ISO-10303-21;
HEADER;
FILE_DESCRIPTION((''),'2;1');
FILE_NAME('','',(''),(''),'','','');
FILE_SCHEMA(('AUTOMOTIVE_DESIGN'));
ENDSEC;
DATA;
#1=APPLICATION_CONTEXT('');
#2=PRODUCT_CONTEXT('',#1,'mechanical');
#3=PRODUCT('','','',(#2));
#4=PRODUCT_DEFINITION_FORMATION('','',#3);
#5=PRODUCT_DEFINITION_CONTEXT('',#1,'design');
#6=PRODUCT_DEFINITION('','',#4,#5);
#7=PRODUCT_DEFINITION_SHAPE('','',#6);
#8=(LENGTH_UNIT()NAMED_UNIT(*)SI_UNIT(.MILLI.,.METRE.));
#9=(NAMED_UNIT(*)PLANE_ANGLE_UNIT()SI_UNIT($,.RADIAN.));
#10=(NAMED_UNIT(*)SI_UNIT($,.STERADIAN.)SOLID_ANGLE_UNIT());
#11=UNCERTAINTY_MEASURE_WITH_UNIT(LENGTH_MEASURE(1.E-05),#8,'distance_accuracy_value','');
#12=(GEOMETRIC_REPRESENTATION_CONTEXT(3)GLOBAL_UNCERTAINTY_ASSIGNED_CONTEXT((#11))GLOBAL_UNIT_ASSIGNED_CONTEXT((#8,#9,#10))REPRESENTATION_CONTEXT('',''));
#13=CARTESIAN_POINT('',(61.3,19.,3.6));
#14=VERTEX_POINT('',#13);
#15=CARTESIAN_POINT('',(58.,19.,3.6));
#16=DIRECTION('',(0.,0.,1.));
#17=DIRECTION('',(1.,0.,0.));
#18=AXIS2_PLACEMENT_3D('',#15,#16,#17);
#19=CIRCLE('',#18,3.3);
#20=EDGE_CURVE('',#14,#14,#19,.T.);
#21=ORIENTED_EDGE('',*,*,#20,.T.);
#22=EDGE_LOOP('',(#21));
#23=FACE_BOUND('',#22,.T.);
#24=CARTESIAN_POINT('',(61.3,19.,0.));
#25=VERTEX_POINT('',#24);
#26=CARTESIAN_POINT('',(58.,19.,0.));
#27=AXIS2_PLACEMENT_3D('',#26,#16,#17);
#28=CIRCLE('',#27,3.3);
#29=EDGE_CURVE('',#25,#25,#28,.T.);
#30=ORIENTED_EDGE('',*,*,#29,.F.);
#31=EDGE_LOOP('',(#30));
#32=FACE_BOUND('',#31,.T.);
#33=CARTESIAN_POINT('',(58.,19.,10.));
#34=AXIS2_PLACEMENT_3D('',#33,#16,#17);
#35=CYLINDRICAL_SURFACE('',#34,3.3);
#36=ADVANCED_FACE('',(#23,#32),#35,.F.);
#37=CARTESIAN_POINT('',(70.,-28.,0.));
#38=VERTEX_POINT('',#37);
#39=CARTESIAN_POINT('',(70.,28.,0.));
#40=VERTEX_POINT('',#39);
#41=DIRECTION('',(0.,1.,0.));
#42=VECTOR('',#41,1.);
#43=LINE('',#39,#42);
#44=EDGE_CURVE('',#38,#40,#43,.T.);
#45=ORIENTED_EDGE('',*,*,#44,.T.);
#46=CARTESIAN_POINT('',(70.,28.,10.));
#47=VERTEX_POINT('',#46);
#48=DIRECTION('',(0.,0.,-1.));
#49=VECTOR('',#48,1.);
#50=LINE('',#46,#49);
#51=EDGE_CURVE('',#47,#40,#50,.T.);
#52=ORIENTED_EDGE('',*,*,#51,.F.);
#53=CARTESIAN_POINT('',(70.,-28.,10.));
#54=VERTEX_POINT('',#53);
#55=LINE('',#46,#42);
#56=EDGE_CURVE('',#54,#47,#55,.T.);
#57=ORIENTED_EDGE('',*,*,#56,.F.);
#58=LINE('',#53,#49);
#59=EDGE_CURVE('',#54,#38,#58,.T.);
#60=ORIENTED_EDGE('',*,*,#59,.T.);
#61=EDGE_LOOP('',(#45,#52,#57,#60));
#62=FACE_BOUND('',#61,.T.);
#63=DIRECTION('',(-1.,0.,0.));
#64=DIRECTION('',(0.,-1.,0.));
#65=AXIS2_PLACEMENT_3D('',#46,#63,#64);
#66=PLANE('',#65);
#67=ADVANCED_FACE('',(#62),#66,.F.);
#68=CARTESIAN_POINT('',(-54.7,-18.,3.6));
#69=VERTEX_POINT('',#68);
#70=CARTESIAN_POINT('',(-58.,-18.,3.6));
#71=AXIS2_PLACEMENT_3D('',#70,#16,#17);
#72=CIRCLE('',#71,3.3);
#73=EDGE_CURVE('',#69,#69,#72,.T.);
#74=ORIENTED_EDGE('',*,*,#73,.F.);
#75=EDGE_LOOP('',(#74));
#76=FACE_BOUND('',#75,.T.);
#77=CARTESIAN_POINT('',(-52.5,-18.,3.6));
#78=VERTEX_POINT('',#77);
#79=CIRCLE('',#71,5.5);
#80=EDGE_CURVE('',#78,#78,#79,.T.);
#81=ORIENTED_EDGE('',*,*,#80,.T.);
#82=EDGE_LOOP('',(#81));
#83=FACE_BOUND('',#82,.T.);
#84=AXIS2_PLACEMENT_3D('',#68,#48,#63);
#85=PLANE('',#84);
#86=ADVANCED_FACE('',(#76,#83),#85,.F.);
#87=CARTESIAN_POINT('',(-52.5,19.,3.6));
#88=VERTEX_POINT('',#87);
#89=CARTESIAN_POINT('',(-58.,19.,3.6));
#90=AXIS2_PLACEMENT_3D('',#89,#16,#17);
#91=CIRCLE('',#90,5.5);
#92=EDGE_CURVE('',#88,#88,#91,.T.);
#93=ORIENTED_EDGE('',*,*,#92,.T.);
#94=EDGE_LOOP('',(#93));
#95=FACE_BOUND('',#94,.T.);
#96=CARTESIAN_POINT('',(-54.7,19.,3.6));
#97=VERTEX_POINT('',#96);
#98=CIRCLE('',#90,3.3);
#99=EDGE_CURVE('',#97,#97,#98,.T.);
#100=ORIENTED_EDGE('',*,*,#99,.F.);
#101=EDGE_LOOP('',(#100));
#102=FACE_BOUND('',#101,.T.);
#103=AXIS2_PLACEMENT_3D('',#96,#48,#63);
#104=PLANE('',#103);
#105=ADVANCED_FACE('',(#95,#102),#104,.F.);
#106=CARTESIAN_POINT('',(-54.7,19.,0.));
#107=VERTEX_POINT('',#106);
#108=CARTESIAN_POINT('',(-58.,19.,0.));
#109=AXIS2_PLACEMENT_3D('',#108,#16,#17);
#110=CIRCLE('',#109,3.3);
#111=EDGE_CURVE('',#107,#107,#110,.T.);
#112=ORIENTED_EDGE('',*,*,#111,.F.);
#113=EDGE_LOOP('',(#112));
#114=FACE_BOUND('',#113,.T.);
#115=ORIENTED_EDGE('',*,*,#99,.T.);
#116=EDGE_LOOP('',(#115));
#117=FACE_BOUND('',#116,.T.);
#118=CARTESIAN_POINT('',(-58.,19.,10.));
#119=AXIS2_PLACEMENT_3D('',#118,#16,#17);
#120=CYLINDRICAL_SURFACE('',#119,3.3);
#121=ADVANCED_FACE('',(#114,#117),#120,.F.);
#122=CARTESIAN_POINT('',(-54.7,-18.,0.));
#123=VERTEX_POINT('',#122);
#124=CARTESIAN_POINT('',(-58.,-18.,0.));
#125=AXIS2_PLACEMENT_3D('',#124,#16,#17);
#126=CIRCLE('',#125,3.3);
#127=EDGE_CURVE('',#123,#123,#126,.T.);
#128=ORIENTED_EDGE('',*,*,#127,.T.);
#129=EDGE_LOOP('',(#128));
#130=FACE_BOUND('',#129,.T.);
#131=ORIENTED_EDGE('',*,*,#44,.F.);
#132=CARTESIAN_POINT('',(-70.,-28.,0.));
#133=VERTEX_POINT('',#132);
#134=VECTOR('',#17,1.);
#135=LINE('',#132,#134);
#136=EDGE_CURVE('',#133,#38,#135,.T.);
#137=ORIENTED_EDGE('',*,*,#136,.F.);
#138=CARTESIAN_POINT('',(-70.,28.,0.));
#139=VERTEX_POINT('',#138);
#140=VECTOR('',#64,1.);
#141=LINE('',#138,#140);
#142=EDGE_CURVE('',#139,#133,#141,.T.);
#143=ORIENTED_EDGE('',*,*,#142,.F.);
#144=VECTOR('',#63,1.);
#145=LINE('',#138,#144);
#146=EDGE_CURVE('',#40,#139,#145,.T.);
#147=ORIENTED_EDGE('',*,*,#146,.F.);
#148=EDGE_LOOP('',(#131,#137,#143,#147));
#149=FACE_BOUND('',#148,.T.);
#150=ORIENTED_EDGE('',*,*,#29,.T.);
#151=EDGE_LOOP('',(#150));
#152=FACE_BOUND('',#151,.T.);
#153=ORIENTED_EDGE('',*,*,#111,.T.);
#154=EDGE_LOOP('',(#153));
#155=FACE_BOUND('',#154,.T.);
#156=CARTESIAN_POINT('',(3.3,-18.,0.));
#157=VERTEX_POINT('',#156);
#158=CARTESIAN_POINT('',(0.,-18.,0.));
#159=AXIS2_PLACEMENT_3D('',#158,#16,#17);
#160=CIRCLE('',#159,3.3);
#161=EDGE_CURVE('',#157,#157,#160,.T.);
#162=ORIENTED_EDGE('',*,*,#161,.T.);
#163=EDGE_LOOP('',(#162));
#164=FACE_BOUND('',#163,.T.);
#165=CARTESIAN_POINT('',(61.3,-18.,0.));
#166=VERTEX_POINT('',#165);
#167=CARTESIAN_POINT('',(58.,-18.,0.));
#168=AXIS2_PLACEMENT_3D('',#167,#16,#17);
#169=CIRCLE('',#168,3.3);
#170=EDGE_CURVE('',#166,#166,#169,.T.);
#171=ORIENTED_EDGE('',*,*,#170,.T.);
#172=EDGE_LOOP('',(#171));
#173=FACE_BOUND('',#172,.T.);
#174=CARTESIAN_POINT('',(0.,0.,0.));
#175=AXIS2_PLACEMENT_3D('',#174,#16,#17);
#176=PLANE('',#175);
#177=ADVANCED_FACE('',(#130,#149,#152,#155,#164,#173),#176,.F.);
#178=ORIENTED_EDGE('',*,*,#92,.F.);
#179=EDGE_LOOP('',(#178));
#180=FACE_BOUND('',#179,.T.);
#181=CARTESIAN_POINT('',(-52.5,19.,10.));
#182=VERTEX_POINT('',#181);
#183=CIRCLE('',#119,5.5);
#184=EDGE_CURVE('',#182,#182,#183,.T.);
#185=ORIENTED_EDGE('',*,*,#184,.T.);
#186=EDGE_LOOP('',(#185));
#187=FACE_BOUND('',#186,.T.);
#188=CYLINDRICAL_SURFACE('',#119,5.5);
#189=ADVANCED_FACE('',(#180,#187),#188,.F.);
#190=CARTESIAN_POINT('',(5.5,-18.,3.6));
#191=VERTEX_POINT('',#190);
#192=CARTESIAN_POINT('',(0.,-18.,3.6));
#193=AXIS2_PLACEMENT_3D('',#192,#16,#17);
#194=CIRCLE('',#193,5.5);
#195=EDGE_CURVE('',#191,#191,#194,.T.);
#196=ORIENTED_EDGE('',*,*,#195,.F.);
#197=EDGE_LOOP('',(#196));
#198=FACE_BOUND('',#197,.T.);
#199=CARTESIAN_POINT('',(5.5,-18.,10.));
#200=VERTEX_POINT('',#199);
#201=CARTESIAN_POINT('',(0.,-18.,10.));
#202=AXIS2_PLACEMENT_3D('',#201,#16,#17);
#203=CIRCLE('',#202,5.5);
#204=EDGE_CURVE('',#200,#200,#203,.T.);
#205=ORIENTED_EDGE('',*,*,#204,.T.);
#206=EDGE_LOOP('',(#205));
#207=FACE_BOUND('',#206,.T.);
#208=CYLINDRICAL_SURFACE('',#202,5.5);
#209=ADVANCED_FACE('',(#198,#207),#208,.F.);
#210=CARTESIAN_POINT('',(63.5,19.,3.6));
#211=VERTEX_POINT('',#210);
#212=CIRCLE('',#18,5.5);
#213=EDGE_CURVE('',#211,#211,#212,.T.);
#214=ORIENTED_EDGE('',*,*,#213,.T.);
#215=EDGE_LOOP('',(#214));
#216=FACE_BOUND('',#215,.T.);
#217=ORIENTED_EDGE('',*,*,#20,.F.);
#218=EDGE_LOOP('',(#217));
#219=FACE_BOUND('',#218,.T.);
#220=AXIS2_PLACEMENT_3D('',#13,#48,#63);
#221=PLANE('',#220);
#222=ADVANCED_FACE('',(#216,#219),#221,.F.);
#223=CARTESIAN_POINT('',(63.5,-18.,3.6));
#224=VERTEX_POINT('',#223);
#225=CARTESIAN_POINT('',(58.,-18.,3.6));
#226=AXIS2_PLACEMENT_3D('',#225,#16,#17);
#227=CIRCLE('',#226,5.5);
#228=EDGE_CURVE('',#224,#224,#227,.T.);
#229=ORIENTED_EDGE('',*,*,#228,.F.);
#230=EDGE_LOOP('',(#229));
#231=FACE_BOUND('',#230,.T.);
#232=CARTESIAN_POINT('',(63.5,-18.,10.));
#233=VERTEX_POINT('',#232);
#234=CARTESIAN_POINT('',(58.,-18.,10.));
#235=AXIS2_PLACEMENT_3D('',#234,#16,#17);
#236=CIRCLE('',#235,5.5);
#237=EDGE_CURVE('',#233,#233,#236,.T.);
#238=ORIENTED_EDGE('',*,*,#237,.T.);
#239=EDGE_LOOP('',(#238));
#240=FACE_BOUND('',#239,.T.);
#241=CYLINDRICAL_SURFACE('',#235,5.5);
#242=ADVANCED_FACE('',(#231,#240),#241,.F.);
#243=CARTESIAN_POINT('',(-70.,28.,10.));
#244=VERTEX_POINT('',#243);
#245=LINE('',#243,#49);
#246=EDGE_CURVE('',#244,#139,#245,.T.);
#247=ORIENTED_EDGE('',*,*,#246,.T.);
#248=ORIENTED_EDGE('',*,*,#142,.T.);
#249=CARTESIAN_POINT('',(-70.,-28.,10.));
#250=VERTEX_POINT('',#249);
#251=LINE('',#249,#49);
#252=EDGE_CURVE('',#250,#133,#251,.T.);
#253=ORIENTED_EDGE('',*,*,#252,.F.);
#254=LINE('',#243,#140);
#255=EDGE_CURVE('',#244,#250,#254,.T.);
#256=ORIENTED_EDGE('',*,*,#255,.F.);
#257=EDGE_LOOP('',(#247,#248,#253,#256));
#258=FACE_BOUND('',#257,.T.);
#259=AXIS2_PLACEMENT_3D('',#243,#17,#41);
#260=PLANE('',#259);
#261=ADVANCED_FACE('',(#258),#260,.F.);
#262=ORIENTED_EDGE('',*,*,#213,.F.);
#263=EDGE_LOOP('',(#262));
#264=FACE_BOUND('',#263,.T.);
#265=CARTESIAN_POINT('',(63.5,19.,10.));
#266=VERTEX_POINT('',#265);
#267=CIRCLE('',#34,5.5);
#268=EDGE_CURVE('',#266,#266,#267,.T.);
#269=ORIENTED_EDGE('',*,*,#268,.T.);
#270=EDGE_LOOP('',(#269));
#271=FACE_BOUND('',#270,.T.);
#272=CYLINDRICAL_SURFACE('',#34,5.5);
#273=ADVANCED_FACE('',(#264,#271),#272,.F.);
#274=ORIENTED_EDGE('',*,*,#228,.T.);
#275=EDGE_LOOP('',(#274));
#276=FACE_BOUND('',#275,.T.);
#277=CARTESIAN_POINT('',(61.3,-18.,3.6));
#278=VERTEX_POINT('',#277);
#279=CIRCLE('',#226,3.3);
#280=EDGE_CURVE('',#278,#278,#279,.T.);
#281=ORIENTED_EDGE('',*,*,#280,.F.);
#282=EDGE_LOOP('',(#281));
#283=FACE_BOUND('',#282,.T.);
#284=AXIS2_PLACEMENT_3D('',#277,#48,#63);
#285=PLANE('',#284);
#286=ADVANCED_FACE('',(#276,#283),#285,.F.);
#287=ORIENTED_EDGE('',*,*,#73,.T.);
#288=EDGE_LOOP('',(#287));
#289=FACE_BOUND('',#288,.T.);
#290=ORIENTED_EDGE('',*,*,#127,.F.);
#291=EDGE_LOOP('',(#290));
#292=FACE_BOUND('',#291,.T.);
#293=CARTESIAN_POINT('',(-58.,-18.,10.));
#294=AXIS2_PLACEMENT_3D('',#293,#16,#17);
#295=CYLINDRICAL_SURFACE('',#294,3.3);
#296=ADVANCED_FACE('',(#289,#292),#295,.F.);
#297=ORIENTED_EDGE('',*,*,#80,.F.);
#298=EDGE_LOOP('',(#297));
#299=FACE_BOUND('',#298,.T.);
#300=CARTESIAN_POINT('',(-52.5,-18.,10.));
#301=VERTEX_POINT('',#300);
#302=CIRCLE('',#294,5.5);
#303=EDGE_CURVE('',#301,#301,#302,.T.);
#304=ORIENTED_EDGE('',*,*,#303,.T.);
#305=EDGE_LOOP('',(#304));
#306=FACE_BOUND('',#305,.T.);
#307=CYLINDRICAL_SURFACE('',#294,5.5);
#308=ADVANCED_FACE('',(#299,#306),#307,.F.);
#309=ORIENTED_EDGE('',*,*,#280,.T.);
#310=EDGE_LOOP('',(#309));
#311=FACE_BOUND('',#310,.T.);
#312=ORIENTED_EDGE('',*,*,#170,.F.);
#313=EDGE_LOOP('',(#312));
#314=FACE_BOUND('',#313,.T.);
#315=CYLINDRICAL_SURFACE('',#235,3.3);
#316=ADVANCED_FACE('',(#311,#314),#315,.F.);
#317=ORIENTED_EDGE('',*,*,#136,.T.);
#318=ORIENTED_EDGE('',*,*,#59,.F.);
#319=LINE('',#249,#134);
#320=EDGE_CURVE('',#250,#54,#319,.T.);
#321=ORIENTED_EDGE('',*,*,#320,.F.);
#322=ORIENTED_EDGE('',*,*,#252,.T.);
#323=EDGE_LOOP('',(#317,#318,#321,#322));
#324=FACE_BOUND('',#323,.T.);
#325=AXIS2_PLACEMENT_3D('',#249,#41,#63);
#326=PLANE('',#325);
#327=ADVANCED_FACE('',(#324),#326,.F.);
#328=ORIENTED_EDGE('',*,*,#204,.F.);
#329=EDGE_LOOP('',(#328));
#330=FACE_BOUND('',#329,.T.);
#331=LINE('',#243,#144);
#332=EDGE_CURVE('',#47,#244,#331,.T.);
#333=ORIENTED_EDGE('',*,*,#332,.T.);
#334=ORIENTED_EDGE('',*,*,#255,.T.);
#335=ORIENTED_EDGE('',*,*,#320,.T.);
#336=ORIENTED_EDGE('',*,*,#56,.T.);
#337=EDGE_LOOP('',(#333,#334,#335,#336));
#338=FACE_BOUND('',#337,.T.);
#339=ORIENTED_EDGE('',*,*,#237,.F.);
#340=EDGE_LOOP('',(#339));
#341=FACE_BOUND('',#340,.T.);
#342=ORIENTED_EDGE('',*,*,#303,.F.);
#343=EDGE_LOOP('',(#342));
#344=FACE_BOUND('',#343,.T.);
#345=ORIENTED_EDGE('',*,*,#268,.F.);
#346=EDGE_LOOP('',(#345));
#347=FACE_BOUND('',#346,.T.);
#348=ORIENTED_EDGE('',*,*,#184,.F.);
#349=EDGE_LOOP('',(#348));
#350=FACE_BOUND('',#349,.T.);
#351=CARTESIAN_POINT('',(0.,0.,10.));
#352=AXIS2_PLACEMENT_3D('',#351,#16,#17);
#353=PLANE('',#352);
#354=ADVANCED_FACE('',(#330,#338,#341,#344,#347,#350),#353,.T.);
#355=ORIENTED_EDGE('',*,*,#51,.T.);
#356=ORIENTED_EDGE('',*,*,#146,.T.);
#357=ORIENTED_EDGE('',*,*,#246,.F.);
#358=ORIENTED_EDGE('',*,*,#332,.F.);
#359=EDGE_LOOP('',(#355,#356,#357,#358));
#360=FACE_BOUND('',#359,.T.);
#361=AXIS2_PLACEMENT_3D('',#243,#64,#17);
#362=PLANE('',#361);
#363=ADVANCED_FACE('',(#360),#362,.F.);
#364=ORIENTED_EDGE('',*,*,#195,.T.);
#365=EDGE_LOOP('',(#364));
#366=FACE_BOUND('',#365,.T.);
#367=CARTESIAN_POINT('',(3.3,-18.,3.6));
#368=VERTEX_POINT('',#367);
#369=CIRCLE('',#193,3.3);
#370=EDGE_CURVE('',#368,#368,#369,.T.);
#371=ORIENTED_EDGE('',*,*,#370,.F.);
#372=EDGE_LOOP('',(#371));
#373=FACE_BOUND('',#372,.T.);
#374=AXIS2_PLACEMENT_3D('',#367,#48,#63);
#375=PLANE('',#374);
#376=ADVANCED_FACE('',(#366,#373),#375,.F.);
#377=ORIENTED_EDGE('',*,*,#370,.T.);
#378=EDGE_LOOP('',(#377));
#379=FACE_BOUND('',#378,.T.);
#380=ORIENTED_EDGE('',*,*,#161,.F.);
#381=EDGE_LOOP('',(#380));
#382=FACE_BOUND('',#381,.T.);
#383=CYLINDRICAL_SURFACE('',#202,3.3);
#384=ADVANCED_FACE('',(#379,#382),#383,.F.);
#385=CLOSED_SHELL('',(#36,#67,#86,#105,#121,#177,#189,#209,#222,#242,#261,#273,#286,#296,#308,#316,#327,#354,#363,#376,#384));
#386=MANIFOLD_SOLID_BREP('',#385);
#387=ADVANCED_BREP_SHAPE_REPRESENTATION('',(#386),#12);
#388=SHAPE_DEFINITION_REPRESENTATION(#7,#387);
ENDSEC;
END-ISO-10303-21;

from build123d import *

# Parameters (mm, degrees)
SKETCH1_W                                           = 140
SKETCH1_H                                           = 56
EXTRUDE1_DEPTH                                      = 10
CBORE_FOR_M6_HEX_SOCKET_HEAD_CAP_SCREW1_D           = 6.6
CBORE_FOR_M6_HEX_SOCKET_HEAD_CAP_SCREW1_CBORE_D     = 11
CBORE_FOR_M6_HEX_SOCKET_HEAD_CAP_SCREW1_CBORE_DEPTH = 6.4


with BuildPart() as part:
    # Sketch1 → Extrude1 (new body)
    with BuildSketch(Plane.XY):
        Rectangle(SKETCH1_W, SKETCH1_H)
    extrude(amount=EXTRUDE1_DEPTH)

    # CBORE for M6 Hex Socket Head Cap Screw1 (through all)
    with Locations(Plane.XY.offset(10)):
        with Locations((58, -18), (58, 19), (0, -18), (-58, -18), (-58, 19)):
            CounterBoreHole(CBORE_FOR_M6_HEX_SOCKET_HEAD_CAP_SCREW1_D / 2, CBORE_FOR_M6_HEX_SOCKET_HEAD_CAP_SCREW1_CBORE_D / 2, CBORE_FOR_M6_HEX_SOCKET_HEAD_CAP_SCREW1_CBORE_DEPTH)


solid = part.part
